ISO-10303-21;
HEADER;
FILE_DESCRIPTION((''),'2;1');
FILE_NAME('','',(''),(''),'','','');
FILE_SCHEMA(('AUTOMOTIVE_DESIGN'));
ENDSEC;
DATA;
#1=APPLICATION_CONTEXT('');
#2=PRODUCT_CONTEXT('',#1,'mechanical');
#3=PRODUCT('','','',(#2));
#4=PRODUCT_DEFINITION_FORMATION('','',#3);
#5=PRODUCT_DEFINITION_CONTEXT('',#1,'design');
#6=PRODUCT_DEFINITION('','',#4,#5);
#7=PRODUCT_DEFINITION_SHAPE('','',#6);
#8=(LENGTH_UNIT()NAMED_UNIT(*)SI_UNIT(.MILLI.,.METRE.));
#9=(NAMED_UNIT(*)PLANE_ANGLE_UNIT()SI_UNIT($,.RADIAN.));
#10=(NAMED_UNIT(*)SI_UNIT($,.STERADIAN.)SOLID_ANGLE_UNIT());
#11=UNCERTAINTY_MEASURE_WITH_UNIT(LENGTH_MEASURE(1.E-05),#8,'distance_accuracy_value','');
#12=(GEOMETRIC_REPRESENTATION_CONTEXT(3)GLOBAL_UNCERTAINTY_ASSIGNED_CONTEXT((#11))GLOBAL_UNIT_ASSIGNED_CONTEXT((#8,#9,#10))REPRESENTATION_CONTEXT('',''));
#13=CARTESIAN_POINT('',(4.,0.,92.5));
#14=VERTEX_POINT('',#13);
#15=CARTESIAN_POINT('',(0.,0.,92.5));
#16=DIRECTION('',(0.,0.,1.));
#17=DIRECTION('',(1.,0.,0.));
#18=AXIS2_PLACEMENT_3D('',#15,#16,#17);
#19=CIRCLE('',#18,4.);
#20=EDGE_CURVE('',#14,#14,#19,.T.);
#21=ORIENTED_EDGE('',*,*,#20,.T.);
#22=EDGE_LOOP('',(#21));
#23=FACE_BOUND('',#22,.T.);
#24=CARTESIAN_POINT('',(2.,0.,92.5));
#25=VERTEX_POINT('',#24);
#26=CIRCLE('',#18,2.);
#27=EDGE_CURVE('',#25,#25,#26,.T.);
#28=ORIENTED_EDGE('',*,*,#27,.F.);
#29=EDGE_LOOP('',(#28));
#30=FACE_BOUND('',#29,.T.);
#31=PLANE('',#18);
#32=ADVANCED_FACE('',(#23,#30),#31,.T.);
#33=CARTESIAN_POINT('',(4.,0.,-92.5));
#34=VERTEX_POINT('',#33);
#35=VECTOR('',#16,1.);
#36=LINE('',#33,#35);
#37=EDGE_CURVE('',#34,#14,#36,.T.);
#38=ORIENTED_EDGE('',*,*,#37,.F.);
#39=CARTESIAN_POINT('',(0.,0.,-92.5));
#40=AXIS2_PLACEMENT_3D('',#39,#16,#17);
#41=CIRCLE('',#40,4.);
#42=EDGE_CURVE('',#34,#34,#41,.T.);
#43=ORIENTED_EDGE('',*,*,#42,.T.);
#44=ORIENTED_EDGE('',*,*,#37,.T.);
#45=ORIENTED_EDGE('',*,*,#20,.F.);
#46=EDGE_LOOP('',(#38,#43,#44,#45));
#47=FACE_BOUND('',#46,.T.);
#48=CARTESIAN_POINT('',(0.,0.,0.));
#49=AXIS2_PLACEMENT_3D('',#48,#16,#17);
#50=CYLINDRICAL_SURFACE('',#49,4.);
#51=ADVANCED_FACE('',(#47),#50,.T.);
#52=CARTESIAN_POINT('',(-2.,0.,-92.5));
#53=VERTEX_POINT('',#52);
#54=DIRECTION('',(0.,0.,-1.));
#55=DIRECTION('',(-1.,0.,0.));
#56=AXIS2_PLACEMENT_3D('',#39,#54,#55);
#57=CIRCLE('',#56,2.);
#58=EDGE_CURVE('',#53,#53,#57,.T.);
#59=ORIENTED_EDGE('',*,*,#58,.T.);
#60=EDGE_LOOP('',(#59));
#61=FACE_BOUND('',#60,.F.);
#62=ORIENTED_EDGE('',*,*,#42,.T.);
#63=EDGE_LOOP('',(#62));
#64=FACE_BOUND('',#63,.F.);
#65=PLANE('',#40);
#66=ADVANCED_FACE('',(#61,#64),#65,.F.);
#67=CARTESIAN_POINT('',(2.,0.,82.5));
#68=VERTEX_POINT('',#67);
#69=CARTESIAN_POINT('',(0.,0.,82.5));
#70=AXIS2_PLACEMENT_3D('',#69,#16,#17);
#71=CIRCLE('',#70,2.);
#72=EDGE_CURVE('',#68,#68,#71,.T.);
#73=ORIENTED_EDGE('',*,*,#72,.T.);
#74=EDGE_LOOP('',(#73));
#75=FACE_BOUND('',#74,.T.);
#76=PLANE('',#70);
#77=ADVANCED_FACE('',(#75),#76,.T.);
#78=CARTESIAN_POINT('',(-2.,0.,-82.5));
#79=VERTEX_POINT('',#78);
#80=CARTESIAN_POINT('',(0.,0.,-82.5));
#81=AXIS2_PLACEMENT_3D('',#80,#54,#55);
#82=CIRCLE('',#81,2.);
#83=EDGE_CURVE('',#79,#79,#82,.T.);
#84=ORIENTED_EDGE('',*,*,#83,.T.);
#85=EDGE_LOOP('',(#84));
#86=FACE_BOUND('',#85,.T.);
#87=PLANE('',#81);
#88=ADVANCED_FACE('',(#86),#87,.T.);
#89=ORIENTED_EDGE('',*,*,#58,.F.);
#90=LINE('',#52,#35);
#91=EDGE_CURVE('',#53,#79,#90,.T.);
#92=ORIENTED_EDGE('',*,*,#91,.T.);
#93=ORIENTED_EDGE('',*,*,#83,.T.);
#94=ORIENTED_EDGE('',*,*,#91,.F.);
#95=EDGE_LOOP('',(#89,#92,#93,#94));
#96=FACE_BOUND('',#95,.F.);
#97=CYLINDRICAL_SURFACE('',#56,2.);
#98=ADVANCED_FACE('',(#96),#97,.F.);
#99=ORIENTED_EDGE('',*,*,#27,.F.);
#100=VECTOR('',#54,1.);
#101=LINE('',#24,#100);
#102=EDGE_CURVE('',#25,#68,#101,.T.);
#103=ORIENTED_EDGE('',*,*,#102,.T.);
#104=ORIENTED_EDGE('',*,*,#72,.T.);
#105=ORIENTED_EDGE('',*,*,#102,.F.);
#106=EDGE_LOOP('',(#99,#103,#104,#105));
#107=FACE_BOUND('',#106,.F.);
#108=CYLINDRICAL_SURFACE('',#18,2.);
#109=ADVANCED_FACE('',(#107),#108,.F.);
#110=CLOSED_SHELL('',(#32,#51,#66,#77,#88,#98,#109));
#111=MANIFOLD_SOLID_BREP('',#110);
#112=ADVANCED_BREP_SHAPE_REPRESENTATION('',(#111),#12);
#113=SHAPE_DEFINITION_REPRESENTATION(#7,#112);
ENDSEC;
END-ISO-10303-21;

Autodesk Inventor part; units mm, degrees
ref_plane "YZ Plane" through (0, 0, 0) normal (1, 0, 0) x (0, 1, 0)
ref_plane "XZ Plane" through (0, 0, 0) normal (0, 1, 0) x (-1, 0, 0)
ref_plane "XY Plane" through (0, 0, 0) normal (0, 0, 1) x (1, 0, 0)
sketch "スケッチ1" plane through (0, 0, 0) normal (0, 0, 1) x (1, 0, 0)
  circle A0 centre (0, 0) radius 2
  circle A1 centre (0, 0) radius 4
  dimension "d0" = 4
  dimension "d1" = 8
extrude "押し出し1" add sketch "スケッチ1" along normal mid plane 185 contours A0 | A1
sketch "スケッチ3" plane through (0, 0, 92.5) normal (0, 0, 1) x (1, 0, 0)
  circle A0 centre (0, 0) radius 2
  dimension "d5" = 4
extrude "押し出し2" cut sketch "スケッチ3" against normal blind 10
sketch "スケッチ4" plane through (0, 0, -92.5) normal (0, 0, -1) x (-1, 0, 0)
  circle A0 centre (0, 0) radius 2
  dimension "d8" = 4
extrude "押し出し3" cut sketch "スケッチ4" against normal blind 10
properties part number "シャフト185mm" material "アルミニウム 7075"
